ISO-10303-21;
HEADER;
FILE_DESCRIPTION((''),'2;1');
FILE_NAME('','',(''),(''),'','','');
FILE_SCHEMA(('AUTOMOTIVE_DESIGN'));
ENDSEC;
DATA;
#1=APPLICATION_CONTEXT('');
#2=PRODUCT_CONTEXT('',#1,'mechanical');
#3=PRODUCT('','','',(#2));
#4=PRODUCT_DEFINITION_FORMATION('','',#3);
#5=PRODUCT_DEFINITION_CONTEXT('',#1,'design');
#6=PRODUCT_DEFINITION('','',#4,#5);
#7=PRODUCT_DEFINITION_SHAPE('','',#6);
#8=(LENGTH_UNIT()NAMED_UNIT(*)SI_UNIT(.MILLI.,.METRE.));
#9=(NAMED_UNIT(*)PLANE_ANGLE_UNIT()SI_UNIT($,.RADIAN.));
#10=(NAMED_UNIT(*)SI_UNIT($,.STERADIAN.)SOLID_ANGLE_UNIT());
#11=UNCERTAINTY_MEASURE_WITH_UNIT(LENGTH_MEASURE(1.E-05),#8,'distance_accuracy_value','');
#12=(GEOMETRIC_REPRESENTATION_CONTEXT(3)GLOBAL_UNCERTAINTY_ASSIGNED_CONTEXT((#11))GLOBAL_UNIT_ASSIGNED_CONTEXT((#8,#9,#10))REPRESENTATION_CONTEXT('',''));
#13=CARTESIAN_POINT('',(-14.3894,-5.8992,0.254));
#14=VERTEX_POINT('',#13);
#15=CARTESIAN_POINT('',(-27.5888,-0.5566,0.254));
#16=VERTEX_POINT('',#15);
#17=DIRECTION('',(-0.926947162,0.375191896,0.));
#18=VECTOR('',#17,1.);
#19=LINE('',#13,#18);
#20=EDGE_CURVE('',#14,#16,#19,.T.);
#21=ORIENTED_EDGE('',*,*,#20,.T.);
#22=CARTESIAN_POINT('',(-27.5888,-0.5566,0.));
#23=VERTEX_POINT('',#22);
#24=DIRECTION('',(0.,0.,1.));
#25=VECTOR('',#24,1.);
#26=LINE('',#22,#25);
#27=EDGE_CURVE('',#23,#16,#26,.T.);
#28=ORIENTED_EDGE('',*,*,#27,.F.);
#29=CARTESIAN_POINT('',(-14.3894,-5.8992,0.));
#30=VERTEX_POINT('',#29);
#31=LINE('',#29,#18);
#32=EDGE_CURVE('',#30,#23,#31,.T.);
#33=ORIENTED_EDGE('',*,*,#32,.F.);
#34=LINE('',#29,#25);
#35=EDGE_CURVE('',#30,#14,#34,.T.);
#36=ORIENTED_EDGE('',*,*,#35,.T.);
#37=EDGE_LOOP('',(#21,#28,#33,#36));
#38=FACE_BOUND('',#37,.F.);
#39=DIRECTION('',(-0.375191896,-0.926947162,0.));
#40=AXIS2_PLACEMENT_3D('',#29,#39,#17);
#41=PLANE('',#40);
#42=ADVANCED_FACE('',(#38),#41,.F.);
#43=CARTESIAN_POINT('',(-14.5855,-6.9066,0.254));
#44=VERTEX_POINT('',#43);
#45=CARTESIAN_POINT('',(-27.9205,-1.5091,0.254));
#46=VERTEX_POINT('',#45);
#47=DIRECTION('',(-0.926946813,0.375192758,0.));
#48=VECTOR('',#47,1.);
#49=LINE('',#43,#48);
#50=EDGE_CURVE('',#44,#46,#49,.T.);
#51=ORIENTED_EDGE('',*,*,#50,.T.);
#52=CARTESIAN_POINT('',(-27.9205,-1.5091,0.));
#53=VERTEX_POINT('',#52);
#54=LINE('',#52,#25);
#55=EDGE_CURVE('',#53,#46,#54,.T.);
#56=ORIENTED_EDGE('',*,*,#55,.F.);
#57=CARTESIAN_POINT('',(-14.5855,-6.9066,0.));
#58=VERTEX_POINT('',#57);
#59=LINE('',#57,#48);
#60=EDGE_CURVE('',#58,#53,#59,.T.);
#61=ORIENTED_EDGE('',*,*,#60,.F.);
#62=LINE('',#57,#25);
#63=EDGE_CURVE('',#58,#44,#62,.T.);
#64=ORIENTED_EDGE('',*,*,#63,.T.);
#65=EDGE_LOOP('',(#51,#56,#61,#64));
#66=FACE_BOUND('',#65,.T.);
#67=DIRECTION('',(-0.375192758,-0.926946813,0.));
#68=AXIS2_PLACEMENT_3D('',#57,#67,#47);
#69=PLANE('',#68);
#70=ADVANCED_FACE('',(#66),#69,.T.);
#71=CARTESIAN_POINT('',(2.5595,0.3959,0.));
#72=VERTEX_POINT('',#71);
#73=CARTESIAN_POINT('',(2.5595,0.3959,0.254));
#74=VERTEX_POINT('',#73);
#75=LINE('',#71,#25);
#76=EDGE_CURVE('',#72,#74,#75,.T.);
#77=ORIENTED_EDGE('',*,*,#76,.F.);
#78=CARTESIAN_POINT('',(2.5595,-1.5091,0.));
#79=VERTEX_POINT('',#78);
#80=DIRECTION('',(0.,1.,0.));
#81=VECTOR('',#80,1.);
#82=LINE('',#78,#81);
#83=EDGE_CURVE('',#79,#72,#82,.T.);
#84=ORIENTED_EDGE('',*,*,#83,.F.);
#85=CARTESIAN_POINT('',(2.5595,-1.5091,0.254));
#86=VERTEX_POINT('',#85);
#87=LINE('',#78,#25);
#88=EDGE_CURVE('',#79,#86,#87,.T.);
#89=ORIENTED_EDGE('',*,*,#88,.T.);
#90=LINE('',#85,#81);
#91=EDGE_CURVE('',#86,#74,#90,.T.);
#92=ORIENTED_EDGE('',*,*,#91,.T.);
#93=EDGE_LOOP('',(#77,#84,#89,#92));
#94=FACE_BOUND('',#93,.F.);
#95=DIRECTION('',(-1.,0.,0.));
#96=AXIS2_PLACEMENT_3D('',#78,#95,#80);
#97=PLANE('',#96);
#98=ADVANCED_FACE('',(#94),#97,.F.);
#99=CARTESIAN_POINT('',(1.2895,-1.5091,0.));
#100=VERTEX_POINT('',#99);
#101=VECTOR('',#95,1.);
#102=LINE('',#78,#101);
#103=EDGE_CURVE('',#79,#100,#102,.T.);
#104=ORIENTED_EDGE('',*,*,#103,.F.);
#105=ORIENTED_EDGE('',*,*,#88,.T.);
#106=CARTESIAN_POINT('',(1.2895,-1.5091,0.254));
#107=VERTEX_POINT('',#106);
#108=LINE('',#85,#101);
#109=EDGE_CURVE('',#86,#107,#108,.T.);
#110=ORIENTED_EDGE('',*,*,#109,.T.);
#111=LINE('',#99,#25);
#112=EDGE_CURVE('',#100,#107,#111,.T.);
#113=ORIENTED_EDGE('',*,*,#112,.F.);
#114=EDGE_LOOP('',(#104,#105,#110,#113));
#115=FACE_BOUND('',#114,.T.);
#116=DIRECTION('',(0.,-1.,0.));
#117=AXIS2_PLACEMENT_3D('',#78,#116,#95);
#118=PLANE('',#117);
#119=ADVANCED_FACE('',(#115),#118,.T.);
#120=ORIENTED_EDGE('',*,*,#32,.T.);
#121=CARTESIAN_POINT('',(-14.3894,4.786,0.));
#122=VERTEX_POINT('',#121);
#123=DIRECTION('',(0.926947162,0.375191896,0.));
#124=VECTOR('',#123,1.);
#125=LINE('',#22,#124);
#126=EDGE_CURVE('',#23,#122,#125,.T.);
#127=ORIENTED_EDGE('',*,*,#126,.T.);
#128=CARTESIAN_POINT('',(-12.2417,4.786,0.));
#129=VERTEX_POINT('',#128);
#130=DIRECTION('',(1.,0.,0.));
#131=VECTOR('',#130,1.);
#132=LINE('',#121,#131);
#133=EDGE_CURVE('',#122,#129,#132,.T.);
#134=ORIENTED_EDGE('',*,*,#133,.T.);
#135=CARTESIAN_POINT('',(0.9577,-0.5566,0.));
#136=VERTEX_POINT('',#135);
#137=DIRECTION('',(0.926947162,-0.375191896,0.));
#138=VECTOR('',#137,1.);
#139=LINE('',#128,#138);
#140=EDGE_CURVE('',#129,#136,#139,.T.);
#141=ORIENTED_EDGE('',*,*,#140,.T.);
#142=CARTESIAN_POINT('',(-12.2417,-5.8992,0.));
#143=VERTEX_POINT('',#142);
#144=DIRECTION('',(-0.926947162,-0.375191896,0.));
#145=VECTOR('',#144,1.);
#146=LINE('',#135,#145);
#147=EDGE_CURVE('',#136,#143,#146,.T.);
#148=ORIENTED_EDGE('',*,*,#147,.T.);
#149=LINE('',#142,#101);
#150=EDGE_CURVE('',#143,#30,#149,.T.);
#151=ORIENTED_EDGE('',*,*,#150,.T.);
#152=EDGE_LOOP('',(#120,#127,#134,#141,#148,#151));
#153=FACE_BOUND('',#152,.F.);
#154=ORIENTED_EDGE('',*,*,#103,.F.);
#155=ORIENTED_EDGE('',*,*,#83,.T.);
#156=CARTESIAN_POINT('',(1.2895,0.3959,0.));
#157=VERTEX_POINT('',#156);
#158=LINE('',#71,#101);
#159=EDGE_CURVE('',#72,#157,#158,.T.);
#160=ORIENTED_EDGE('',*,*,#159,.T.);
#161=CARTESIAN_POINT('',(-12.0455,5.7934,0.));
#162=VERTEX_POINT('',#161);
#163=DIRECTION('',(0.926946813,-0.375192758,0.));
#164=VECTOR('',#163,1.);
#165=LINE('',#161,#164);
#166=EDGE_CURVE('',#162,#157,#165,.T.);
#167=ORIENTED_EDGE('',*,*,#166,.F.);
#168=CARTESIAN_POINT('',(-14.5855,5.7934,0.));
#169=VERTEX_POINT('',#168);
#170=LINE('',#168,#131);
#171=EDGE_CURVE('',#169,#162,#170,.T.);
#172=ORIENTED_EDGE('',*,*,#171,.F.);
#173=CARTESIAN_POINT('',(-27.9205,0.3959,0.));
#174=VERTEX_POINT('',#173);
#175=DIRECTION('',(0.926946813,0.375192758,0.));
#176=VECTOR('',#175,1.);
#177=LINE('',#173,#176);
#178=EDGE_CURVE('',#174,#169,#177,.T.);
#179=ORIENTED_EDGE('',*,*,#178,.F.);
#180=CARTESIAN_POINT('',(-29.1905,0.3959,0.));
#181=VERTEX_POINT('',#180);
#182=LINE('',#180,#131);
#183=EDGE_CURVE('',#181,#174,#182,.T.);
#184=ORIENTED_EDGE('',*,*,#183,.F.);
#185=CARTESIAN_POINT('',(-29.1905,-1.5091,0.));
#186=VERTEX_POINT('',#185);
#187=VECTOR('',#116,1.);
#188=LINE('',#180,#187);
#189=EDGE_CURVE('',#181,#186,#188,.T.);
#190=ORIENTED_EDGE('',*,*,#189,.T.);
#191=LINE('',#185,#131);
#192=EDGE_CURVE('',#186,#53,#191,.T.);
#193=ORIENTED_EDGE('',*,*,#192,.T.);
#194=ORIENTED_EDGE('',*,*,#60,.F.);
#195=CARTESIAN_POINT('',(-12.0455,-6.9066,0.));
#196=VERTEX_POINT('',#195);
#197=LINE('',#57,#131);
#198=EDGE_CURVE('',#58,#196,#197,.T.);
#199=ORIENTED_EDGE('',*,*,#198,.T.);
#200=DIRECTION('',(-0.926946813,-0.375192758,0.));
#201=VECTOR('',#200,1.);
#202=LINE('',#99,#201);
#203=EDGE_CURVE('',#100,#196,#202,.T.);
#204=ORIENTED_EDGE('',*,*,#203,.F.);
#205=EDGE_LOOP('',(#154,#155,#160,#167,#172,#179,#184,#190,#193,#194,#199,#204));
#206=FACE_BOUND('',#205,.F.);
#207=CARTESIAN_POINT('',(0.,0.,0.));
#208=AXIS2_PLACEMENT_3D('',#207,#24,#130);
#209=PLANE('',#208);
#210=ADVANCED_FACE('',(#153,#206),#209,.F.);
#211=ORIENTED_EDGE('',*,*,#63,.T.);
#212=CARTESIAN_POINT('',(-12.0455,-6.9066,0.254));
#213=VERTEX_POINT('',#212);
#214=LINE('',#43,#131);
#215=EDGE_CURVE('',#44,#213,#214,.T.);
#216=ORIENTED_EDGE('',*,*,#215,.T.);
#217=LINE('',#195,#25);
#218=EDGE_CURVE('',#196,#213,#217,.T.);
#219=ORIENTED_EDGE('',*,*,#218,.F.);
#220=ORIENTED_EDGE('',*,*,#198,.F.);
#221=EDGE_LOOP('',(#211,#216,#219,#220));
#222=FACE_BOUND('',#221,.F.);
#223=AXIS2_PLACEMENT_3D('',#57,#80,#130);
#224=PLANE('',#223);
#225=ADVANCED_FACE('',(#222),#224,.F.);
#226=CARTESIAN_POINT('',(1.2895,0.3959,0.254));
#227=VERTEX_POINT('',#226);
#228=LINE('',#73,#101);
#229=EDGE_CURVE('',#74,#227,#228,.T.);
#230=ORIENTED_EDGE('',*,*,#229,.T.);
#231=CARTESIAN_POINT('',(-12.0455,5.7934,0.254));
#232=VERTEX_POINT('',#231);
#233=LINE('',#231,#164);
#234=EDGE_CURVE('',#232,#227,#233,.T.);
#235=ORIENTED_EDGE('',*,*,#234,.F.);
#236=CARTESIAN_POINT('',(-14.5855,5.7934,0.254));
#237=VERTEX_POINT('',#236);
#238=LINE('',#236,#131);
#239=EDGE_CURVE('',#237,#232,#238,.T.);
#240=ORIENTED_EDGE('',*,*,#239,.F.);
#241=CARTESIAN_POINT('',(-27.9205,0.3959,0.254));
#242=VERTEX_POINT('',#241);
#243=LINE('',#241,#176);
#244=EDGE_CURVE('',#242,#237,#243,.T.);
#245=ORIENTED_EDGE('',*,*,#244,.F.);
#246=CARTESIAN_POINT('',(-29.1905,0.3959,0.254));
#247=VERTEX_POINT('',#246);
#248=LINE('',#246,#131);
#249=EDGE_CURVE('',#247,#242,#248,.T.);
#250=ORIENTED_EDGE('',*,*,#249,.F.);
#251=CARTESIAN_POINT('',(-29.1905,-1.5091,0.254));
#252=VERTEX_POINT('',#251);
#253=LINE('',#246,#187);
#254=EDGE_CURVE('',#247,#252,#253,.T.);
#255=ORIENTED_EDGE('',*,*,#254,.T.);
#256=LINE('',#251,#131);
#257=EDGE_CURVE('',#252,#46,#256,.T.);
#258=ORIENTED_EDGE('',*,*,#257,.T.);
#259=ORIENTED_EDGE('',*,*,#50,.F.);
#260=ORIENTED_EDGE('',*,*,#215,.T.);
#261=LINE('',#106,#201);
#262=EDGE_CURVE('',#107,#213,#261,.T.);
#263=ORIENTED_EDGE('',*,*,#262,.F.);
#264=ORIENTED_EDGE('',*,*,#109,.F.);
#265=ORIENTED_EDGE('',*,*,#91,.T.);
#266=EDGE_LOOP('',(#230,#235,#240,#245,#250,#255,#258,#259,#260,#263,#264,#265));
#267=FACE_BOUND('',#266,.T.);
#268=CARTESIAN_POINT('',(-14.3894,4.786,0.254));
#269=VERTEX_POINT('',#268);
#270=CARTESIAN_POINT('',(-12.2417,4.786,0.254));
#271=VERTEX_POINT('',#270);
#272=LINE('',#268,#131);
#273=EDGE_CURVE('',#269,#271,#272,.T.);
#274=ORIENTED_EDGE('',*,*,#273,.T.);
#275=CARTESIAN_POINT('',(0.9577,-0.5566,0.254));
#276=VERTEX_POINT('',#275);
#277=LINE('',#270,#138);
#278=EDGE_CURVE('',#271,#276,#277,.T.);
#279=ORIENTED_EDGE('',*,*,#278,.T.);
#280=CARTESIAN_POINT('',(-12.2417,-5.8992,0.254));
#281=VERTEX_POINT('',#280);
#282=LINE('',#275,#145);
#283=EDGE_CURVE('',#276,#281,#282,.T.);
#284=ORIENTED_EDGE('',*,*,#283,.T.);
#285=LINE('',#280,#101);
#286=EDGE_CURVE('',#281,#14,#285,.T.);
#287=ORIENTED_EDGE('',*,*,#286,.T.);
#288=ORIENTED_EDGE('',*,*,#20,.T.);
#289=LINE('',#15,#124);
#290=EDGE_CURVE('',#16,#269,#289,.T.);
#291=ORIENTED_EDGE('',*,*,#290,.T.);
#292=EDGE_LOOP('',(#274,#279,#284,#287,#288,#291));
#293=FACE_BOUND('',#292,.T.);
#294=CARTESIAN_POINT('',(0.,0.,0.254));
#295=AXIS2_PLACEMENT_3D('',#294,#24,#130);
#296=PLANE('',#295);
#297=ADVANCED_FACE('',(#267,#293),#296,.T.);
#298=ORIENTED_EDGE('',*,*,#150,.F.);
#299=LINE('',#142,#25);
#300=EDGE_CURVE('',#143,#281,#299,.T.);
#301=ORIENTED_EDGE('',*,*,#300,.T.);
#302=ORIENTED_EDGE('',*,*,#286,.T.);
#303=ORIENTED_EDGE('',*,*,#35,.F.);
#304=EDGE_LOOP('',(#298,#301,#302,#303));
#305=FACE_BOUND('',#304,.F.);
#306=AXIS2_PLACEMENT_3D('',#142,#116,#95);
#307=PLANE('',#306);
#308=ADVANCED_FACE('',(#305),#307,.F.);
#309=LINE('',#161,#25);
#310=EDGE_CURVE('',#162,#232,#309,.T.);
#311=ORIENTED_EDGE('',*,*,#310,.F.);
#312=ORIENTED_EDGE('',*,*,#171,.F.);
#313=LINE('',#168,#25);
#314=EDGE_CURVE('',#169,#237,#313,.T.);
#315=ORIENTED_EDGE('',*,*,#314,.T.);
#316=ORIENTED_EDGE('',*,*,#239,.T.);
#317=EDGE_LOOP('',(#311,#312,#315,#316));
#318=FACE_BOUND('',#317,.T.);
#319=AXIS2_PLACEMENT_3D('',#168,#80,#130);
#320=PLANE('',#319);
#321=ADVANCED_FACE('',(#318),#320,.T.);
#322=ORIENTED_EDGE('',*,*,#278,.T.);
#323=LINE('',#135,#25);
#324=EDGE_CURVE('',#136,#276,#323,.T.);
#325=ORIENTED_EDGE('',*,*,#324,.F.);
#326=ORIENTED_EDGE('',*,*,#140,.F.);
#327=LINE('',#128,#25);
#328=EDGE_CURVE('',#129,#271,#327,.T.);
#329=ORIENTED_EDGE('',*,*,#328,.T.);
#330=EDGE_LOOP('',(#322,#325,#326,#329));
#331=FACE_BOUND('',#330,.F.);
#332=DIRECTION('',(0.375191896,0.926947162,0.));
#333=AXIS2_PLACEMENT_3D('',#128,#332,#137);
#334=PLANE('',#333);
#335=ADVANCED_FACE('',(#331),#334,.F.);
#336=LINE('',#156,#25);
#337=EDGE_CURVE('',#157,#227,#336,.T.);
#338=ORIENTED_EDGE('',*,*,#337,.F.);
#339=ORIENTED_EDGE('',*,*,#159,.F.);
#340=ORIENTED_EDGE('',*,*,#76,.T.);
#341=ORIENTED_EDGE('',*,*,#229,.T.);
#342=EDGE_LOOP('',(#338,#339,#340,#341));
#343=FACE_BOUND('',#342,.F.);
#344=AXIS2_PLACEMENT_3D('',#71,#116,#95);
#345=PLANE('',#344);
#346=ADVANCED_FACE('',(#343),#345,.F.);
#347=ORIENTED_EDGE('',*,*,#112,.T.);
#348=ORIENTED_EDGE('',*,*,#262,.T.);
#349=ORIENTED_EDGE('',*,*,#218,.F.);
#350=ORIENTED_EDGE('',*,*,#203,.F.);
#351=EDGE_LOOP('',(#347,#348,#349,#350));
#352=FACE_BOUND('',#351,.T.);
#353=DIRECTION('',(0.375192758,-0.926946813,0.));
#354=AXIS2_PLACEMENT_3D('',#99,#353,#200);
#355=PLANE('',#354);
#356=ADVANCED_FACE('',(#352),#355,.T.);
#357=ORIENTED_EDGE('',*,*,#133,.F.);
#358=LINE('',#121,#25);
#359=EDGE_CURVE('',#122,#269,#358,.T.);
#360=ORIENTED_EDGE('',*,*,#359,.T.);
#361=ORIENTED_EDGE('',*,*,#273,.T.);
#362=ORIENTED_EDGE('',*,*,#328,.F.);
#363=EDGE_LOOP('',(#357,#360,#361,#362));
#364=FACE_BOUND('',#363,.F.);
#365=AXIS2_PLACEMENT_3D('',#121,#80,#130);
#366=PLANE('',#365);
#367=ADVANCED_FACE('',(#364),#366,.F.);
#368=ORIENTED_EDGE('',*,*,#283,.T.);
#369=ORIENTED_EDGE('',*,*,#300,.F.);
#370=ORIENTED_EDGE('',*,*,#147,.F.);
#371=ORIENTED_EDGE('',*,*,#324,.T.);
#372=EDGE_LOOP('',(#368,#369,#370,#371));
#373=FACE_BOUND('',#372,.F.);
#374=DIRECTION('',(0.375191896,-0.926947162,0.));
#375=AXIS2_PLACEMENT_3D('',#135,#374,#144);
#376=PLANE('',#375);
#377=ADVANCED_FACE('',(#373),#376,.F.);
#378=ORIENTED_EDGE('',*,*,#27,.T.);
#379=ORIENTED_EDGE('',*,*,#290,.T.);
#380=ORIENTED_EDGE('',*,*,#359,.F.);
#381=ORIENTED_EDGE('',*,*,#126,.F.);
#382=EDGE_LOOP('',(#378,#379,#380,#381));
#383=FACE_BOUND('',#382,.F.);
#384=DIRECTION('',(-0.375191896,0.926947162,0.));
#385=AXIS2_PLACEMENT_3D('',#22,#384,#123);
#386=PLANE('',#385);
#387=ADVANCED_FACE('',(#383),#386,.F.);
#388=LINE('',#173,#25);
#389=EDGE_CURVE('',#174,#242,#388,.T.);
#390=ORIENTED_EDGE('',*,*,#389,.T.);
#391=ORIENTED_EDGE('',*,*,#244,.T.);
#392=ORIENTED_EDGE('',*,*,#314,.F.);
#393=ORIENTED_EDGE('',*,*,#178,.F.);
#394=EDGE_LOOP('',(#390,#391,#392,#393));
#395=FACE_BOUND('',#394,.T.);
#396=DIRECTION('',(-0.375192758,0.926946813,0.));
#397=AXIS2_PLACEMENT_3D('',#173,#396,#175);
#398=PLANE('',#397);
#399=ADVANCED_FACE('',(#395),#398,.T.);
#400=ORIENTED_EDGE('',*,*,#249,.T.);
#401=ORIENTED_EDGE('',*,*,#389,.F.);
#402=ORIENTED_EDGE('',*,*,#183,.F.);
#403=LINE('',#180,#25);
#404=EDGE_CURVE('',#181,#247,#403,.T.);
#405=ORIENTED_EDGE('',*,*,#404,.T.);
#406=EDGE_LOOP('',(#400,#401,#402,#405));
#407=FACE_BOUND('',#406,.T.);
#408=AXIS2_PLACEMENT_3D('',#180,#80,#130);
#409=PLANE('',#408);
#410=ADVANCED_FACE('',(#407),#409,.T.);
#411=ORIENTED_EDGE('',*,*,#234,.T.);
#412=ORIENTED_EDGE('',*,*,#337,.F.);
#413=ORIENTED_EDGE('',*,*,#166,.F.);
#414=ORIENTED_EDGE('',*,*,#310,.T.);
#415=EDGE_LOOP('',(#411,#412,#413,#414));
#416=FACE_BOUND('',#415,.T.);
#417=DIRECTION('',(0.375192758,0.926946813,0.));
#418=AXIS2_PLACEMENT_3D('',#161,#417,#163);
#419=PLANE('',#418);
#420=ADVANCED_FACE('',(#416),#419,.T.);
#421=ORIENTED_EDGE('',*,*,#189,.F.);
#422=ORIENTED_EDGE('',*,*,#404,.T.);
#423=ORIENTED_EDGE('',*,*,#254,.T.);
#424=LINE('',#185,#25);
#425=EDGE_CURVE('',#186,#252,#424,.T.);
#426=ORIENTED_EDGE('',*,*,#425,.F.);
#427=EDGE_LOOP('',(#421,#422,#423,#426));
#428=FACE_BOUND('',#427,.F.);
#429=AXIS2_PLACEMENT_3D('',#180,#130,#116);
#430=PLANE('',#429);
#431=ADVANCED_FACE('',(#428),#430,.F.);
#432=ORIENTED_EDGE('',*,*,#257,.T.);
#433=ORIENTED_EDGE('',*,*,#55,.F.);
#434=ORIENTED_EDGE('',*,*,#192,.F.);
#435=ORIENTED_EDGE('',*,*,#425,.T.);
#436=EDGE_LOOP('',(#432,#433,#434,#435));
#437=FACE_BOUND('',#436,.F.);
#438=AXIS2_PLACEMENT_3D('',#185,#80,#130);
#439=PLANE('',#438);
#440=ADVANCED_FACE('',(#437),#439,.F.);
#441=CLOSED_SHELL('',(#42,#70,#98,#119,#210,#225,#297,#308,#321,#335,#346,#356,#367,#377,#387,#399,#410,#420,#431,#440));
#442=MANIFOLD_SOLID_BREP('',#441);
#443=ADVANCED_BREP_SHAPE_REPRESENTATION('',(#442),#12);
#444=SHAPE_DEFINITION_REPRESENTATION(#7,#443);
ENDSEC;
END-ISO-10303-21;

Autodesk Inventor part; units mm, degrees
ref_plane "YZ Plane" through (0, 0, 0) normal (1, 0, 0) x (0, 1, 0)
ref_plane "XZ Plane" through (0, 0, 0) normal (0, 1, 0) x (-1, 0, 0)
ref_plane "XY Plane" through (0, 0, 0) normal (0, 0, 1) x (1, 0, 0)
sketch "Sketch1" plane through (0, 0, 0) normal (0, 0, 1) x (1, 0, 0)
  line L0 (-29.1905, 5.7934) -> (2.5595, 5.7934) construction
  line L1 (2.5595, 5.7934) -> (2.5595, -6.9066) construction
  line L2 (2.5595, -6.9066) -> (-29.1905, -6.9066) construction
  line L3 (-29.1905, -6.9066) -> (-29.1905, 5.7934) construction
  line L4 (-29.1905, -0.5566) -> (-27.9205, -0.5566) construction
  line L5 (-29.1905, 0.3959) -> (-27.9205, 0.3959)
  line L6 (-29.1905, -1.5091) -> (-27.9205, -1.5091)
  line L7 (-13.3155, 5.7934) -> (-13.3155, -6.9066) construction
  line L8 (2.5595, -0.5566) -> (1.2895, -0.5566) construction
  line L9 (2.5595, 0.3959) -> (1.2895, 0.3959)
  line L10 (2.5595, -1.5091) -> (1.2895, -1.5091)
  line L11 (-14.5855, 5.7934) -> (-12.0455, 5.7934)
  line L12 (-14.5855, -6.9066) -> (-12.0455, -6.9066)
  line L13 (-27.9205, 0.3959) -> (-14.5855, 5.7934)
  line L14 (-12.0455, 5.7934) -> (1.2895, 0.3959)
  line L15 (1.2895, -1.5091) -> (-12.0455, -6.9066)
  line L16 (-14.5855, -6.9066) -> (-27.9205, -1.5091)
  line L17 (-29.1905, 0.3959) -> (-29.1905, -1.5091)
  line L18 (2.5595, -1.5091) -> (2.5595, 0.3959)
  line L19 (0.9577, -0.5566) -> (-12.2417, -5.8992)
  line L20 (-12.2417, -5.8992) -> (-14.3894, -5.8992)
  line L21 (-14.3894, -5.8992) -> (-27.5888, -0.5566)
  line L22 (-27.5888, -0.5566) -> (-14.3894, 4.786)
  line L23 (-14.3894, 4.786) -> (-12.2417, 4.786)
  line L24 (-12.2417, 4.786) -> (0.9577, -0.5566)
  point P0 (0, 0)
  dimension "d0" = 12.7
  dimension "d1" = 31.75
  dimension "d2" = 15.875
  dimension "d3" = 1.905
  dimension "d4" = 2.54
  dimension "d5" = 1.27
extrude "Extrusion1" add sketch "Sketch1" along normal blind 0.254
properties part number "Expanded Metal STOCK"
